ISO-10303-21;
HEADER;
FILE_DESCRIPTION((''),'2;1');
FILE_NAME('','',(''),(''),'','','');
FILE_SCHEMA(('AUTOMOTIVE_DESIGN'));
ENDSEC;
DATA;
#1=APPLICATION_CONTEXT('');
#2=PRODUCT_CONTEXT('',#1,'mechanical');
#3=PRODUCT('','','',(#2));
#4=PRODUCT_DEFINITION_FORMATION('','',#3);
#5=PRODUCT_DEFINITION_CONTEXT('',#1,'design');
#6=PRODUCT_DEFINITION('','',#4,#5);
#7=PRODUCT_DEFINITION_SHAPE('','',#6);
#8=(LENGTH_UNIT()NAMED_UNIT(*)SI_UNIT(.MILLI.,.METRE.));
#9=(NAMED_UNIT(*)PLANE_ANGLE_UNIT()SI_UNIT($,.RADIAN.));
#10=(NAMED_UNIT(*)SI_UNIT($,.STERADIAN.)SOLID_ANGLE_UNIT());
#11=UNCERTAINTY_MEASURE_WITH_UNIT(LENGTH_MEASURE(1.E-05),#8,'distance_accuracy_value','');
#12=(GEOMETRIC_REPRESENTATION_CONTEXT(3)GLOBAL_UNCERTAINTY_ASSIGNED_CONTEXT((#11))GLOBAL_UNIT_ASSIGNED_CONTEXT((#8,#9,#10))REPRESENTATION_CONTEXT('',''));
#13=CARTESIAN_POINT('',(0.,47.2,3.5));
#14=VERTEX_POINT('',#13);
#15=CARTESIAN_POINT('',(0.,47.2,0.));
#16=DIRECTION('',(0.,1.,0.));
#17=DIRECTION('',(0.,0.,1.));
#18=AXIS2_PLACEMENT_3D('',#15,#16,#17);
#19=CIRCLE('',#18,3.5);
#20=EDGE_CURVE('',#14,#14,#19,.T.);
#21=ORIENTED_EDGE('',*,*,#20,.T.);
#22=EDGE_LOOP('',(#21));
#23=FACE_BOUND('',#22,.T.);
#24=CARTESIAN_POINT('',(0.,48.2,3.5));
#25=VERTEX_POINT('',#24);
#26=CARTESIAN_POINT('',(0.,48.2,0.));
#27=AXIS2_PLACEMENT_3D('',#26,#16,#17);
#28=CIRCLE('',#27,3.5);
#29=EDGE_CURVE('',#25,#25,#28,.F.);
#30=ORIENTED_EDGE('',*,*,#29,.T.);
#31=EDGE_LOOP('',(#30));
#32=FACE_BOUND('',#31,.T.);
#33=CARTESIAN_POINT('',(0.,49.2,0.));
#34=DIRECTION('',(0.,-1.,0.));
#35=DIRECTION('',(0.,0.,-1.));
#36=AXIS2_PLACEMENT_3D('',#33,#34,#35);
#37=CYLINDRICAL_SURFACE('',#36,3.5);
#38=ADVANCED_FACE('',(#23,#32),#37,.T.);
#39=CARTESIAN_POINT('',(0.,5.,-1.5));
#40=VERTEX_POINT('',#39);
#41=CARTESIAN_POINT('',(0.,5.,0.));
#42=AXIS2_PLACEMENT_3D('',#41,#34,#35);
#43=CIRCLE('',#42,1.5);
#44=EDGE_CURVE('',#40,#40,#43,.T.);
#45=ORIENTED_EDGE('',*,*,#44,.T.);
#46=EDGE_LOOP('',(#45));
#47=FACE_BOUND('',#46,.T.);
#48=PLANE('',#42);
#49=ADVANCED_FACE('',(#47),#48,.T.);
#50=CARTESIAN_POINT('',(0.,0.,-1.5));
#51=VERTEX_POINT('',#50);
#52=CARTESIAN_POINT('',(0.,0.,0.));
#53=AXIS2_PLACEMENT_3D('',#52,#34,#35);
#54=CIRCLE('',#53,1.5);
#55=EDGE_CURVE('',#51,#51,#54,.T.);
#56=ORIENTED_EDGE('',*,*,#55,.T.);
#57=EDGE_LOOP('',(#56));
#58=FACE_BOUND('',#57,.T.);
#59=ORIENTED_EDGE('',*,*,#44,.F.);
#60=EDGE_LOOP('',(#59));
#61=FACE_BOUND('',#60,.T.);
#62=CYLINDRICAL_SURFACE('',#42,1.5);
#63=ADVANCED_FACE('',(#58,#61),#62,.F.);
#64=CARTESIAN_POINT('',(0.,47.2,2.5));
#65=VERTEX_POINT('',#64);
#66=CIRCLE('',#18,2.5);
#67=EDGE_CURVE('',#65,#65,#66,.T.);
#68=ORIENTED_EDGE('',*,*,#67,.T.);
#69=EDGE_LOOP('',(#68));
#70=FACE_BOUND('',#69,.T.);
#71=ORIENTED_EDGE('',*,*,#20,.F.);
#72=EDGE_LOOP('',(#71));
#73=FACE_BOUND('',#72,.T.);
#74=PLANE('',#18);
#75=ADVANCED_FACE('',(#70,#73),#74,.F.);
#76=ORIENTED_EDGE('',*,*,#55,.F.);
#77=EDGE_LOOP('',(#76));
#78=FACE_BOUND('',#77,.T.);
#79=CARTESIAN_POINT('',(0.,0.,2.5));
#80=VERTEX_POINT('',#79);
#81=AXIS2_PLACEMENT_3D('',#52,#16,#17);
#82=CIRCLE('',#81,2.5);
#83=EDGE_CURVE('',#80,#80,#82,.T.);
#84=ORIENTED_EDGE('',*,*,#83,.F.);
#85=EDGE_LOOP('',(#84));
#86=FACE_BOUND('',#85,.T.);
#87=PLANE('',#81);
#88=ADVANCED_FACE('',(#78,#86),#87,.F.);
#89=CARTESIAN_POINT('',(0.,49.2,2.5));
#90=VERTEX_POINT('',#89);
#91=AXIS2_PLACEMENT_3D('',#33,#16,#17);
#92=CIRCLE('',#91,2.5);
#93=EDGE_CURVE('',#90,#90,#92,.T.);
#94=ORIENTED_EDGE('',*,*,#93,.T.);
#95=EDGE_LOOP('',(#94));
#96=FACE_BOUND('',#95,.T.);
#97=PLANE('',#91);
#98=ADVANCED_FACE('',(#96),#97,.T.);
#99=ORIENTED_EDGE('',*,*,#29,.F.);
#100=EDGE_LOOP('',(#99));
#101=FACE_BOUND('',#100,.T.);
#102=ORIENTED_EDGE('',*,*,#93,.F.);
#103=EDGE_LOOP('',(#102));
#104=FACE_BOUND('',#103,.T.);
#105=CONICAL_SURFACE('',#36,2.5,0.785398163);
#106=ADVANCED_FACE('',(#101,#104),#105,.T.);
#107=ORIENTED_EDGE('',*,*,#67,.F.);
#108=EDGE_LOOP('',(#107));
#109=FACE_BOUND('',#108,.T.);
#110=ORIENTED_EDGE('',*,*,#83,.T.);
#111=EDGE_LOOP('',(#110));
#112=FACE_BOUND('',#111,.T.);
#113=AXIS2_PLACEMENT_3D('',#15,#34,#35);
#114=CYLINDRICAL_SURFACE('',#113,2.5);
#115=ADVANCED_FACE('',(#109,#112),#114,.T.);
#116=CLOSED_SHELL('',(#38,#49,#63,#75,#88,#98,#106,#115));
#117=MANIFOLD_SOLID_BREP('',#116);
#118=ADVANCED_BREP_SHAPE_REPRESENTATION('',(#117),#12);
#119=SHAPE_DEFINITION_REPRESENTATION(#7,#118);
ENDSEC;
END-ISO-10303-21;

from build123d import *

# Parameters (mm, degrees)
SKETCH1_R           = 2.5
BOSS_EXTRUDE1_DEPTH = 47.2
SKETCH2_R           = 3.5
BOSS_EXTRUDE2_DEPTH = 2
CHAMFER1_SIZE       = 1
SKETCH3_R           = 1.5
CUT_EXTRUDE1_DEPTH  = 5


with BuildPart() as part:
    # Sketch1 → Boss-Extrude1 (new body)
    with BuildSketch(Plane(origin=(0, 0, 0), x_dir=(1, 0, 0), z_dir=(0, 1, 0))):
        Circle(SKETCH1_R)
    extrude(amount=BOSS_EXTRUDE1_DEPTH)

    # Sketch2 → Boss-Extrude2 (add)
    with BuildSketch(Plane(origin=(0, 47.2, 0), x_dir=(1, 0, 0), z_dir=(0, 1, 0))):
        Circle(SKETCH2_R)
    extrude(amount=BOSS_EXTRUDE2_DEPTH)

    # Chamfer1
    chamfer1_edges = [part.edges().sort_by_distance(p)[0] for p in [
        (-3.5, 49.2, 0),
    ]]
    chamfer(chamfer1_edges, length=CHAMFER1_SIZE)

    # Sketch3 → Cut-Extrude1 (cut)
    with BuildSketch(Plane.XZ):
        Circle(SKETCH3_R)
    extrude(amount=-CUT_EXTRUDE1_DEPTH, mode=Mode.SUBTRACT)


solid = part.part
